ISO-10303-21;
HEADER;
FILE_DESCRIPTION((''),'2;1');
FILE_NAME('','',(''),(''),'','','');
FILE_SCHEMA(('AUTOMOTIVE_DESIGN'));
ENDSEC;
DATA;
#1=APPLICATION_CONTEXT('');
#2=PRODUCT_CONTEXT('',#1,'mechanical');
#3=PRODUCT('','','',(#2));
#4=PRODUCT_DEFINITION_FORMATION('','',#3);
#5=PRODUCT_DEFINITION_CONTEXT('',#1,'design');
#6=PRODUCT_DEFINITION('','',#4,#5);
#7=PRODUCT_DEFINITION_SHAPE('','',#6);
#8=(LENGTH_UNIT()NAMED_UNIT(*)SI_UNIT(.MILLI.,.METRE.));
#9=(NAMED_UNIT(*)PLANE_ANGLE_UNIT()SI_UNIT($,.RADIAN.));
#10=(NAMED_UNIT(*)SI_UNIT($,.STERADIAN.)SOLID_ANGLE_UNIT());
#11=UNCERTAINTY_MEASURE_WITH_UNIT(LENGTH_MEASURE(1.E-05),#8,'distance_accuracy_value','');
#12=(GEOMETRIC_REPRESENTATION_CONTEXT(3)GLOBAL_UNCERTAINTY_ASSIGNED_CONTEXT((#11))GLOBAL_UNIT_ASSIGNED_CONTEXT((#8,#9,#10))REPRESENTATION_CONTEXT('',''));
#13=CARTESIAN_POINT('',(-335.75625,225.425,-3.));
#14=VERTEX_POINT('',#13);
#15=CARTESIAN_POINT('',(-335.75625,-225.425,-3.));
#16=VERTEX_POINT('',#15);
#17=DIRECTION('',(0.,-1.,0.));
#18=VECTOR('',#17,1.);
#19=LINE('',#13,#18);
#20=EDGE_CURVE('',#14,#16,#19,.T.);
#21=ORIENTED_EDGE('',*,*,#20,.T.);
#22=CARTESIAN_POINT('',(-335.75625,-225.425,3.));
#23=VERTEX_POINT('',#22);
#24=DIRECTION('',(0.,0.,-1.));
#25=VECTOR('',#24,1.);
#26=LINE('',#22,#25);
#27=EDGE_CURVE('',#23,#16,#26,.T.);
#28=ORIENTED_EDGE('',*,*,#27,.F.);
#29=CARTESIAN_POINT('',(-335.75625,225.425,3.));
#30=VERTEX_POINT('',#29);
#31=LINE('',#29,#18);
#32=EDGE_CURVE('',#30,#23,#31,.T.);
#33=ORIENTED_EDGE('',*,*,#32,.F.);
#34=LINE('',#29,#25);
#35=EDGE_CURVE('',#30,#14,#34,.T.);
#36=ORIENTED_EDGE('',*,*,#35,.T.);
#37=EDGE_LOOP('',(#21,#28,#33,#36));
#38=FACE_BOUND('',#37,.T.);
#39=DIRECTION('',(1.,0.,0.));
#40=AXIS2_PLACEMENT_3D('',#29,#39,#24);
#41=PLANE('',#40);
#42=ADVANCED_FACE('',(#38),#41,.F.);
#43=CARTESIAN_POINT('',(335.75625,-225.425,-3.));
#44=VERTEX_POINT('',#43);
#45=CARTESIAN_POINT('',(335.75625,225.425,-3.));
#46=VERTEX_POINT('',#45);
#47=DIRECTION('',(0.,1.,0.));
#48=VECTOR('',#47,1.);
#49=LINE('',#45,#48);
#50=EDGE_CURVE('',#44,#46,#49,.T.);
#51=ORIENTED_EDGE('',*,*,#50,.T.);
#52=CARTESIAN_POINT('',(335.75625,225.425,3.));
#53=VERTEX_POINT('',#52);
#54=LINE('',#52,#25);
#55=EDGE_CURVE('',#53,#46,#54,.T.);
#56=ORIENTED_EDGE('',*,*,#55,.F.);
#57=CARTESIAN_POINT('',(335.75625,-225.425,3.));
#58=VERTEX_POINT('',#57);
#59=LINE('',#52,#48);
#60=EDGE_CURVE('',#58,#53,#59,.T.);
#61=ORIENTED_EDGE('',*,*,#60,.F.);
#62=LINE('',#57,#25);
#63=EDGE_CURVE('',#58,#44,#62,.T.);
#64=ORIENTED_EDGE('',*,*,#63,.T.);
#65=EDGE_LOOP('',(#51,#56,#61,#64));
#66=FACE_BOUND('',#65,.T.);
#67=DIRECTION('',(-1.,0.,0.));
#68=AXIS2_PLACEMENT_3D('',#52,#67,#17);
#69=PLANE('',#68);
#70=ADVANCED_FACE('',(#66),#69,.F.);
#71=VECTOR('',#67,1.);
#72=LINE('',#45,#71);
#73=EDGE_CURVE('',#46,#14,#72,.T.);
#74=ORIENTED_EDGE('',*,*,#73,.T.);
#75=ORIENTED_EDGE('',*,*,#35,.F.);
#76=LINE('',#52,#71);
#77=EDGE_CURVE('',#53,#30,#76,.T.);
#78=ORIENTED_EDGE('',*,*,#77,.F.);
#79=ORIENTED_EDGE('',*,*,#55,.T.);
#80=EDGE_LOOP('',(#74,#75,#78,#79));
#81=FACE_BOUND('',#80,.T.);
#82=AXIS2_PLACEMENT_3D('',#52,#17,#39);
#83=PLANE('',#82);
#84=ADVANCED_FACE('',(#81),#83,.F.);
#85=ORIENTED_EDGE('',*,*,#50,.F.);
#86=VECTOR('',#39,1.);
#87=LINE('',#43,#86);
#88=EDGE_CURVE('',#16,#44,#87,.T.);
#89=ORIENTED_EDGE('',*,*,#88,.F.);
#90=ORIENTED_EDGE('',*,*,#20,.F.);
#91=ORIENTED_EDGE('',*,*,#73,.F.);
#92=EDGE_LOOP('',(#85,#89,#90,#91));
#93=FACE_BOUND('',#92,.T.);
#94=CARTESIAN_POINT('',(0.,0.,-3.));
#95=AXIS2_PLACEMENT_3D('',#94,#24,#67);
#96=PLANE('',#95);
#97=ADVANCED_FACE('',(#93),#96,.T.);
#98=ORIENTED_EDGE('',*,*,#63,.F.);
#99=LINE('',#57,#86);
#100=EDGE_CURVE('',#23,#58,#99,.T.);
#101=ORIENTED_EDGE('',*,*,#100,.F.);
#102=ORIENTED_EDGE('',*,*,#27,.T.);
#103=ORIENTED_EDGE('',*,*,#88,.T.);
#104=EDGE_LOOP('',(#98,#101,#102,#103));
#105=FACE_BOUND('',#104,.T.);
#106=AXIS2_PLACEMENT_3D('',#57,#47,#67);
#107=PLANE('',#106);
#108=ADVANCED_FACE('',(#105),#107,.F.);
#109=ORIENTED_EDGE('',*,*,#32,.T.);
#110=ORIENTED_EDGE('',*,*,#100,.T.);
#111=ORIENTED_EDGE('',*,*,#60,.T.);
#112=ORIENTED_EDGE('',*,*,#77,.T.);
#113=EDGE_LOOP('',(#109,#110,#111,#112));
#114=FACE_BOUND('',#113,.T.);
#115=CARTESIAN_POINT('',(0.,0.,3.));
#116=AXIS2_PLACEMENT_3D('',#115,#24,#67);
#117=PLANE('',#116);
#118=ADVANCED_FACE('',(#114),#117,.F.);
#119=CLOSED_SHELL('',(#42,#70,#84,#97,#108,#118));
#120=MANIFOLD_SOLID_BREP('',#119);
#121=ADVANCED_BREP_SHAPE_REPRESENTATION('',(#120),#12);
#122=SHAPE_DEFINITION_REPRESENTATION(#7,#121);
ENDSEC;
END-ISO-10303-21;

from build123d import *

# Parameters (mm, degrees)
SKETCH1_W           = 671.5125
SKETCH1_H           = 450.85
BOSS_EXTRUDE1_DEPTH = 3


with BuildPart() as part:
    # Sketch1 → Boss-Extrude1 (new body, symmetric)
    with BuildSketch(Plane.XY):
        Rectangle(SKETCH1_W, SKETCH1_H)
    extrude(amount=BOSS_EXTRUDE1_DEPTH, both=True)


solid = part.part
